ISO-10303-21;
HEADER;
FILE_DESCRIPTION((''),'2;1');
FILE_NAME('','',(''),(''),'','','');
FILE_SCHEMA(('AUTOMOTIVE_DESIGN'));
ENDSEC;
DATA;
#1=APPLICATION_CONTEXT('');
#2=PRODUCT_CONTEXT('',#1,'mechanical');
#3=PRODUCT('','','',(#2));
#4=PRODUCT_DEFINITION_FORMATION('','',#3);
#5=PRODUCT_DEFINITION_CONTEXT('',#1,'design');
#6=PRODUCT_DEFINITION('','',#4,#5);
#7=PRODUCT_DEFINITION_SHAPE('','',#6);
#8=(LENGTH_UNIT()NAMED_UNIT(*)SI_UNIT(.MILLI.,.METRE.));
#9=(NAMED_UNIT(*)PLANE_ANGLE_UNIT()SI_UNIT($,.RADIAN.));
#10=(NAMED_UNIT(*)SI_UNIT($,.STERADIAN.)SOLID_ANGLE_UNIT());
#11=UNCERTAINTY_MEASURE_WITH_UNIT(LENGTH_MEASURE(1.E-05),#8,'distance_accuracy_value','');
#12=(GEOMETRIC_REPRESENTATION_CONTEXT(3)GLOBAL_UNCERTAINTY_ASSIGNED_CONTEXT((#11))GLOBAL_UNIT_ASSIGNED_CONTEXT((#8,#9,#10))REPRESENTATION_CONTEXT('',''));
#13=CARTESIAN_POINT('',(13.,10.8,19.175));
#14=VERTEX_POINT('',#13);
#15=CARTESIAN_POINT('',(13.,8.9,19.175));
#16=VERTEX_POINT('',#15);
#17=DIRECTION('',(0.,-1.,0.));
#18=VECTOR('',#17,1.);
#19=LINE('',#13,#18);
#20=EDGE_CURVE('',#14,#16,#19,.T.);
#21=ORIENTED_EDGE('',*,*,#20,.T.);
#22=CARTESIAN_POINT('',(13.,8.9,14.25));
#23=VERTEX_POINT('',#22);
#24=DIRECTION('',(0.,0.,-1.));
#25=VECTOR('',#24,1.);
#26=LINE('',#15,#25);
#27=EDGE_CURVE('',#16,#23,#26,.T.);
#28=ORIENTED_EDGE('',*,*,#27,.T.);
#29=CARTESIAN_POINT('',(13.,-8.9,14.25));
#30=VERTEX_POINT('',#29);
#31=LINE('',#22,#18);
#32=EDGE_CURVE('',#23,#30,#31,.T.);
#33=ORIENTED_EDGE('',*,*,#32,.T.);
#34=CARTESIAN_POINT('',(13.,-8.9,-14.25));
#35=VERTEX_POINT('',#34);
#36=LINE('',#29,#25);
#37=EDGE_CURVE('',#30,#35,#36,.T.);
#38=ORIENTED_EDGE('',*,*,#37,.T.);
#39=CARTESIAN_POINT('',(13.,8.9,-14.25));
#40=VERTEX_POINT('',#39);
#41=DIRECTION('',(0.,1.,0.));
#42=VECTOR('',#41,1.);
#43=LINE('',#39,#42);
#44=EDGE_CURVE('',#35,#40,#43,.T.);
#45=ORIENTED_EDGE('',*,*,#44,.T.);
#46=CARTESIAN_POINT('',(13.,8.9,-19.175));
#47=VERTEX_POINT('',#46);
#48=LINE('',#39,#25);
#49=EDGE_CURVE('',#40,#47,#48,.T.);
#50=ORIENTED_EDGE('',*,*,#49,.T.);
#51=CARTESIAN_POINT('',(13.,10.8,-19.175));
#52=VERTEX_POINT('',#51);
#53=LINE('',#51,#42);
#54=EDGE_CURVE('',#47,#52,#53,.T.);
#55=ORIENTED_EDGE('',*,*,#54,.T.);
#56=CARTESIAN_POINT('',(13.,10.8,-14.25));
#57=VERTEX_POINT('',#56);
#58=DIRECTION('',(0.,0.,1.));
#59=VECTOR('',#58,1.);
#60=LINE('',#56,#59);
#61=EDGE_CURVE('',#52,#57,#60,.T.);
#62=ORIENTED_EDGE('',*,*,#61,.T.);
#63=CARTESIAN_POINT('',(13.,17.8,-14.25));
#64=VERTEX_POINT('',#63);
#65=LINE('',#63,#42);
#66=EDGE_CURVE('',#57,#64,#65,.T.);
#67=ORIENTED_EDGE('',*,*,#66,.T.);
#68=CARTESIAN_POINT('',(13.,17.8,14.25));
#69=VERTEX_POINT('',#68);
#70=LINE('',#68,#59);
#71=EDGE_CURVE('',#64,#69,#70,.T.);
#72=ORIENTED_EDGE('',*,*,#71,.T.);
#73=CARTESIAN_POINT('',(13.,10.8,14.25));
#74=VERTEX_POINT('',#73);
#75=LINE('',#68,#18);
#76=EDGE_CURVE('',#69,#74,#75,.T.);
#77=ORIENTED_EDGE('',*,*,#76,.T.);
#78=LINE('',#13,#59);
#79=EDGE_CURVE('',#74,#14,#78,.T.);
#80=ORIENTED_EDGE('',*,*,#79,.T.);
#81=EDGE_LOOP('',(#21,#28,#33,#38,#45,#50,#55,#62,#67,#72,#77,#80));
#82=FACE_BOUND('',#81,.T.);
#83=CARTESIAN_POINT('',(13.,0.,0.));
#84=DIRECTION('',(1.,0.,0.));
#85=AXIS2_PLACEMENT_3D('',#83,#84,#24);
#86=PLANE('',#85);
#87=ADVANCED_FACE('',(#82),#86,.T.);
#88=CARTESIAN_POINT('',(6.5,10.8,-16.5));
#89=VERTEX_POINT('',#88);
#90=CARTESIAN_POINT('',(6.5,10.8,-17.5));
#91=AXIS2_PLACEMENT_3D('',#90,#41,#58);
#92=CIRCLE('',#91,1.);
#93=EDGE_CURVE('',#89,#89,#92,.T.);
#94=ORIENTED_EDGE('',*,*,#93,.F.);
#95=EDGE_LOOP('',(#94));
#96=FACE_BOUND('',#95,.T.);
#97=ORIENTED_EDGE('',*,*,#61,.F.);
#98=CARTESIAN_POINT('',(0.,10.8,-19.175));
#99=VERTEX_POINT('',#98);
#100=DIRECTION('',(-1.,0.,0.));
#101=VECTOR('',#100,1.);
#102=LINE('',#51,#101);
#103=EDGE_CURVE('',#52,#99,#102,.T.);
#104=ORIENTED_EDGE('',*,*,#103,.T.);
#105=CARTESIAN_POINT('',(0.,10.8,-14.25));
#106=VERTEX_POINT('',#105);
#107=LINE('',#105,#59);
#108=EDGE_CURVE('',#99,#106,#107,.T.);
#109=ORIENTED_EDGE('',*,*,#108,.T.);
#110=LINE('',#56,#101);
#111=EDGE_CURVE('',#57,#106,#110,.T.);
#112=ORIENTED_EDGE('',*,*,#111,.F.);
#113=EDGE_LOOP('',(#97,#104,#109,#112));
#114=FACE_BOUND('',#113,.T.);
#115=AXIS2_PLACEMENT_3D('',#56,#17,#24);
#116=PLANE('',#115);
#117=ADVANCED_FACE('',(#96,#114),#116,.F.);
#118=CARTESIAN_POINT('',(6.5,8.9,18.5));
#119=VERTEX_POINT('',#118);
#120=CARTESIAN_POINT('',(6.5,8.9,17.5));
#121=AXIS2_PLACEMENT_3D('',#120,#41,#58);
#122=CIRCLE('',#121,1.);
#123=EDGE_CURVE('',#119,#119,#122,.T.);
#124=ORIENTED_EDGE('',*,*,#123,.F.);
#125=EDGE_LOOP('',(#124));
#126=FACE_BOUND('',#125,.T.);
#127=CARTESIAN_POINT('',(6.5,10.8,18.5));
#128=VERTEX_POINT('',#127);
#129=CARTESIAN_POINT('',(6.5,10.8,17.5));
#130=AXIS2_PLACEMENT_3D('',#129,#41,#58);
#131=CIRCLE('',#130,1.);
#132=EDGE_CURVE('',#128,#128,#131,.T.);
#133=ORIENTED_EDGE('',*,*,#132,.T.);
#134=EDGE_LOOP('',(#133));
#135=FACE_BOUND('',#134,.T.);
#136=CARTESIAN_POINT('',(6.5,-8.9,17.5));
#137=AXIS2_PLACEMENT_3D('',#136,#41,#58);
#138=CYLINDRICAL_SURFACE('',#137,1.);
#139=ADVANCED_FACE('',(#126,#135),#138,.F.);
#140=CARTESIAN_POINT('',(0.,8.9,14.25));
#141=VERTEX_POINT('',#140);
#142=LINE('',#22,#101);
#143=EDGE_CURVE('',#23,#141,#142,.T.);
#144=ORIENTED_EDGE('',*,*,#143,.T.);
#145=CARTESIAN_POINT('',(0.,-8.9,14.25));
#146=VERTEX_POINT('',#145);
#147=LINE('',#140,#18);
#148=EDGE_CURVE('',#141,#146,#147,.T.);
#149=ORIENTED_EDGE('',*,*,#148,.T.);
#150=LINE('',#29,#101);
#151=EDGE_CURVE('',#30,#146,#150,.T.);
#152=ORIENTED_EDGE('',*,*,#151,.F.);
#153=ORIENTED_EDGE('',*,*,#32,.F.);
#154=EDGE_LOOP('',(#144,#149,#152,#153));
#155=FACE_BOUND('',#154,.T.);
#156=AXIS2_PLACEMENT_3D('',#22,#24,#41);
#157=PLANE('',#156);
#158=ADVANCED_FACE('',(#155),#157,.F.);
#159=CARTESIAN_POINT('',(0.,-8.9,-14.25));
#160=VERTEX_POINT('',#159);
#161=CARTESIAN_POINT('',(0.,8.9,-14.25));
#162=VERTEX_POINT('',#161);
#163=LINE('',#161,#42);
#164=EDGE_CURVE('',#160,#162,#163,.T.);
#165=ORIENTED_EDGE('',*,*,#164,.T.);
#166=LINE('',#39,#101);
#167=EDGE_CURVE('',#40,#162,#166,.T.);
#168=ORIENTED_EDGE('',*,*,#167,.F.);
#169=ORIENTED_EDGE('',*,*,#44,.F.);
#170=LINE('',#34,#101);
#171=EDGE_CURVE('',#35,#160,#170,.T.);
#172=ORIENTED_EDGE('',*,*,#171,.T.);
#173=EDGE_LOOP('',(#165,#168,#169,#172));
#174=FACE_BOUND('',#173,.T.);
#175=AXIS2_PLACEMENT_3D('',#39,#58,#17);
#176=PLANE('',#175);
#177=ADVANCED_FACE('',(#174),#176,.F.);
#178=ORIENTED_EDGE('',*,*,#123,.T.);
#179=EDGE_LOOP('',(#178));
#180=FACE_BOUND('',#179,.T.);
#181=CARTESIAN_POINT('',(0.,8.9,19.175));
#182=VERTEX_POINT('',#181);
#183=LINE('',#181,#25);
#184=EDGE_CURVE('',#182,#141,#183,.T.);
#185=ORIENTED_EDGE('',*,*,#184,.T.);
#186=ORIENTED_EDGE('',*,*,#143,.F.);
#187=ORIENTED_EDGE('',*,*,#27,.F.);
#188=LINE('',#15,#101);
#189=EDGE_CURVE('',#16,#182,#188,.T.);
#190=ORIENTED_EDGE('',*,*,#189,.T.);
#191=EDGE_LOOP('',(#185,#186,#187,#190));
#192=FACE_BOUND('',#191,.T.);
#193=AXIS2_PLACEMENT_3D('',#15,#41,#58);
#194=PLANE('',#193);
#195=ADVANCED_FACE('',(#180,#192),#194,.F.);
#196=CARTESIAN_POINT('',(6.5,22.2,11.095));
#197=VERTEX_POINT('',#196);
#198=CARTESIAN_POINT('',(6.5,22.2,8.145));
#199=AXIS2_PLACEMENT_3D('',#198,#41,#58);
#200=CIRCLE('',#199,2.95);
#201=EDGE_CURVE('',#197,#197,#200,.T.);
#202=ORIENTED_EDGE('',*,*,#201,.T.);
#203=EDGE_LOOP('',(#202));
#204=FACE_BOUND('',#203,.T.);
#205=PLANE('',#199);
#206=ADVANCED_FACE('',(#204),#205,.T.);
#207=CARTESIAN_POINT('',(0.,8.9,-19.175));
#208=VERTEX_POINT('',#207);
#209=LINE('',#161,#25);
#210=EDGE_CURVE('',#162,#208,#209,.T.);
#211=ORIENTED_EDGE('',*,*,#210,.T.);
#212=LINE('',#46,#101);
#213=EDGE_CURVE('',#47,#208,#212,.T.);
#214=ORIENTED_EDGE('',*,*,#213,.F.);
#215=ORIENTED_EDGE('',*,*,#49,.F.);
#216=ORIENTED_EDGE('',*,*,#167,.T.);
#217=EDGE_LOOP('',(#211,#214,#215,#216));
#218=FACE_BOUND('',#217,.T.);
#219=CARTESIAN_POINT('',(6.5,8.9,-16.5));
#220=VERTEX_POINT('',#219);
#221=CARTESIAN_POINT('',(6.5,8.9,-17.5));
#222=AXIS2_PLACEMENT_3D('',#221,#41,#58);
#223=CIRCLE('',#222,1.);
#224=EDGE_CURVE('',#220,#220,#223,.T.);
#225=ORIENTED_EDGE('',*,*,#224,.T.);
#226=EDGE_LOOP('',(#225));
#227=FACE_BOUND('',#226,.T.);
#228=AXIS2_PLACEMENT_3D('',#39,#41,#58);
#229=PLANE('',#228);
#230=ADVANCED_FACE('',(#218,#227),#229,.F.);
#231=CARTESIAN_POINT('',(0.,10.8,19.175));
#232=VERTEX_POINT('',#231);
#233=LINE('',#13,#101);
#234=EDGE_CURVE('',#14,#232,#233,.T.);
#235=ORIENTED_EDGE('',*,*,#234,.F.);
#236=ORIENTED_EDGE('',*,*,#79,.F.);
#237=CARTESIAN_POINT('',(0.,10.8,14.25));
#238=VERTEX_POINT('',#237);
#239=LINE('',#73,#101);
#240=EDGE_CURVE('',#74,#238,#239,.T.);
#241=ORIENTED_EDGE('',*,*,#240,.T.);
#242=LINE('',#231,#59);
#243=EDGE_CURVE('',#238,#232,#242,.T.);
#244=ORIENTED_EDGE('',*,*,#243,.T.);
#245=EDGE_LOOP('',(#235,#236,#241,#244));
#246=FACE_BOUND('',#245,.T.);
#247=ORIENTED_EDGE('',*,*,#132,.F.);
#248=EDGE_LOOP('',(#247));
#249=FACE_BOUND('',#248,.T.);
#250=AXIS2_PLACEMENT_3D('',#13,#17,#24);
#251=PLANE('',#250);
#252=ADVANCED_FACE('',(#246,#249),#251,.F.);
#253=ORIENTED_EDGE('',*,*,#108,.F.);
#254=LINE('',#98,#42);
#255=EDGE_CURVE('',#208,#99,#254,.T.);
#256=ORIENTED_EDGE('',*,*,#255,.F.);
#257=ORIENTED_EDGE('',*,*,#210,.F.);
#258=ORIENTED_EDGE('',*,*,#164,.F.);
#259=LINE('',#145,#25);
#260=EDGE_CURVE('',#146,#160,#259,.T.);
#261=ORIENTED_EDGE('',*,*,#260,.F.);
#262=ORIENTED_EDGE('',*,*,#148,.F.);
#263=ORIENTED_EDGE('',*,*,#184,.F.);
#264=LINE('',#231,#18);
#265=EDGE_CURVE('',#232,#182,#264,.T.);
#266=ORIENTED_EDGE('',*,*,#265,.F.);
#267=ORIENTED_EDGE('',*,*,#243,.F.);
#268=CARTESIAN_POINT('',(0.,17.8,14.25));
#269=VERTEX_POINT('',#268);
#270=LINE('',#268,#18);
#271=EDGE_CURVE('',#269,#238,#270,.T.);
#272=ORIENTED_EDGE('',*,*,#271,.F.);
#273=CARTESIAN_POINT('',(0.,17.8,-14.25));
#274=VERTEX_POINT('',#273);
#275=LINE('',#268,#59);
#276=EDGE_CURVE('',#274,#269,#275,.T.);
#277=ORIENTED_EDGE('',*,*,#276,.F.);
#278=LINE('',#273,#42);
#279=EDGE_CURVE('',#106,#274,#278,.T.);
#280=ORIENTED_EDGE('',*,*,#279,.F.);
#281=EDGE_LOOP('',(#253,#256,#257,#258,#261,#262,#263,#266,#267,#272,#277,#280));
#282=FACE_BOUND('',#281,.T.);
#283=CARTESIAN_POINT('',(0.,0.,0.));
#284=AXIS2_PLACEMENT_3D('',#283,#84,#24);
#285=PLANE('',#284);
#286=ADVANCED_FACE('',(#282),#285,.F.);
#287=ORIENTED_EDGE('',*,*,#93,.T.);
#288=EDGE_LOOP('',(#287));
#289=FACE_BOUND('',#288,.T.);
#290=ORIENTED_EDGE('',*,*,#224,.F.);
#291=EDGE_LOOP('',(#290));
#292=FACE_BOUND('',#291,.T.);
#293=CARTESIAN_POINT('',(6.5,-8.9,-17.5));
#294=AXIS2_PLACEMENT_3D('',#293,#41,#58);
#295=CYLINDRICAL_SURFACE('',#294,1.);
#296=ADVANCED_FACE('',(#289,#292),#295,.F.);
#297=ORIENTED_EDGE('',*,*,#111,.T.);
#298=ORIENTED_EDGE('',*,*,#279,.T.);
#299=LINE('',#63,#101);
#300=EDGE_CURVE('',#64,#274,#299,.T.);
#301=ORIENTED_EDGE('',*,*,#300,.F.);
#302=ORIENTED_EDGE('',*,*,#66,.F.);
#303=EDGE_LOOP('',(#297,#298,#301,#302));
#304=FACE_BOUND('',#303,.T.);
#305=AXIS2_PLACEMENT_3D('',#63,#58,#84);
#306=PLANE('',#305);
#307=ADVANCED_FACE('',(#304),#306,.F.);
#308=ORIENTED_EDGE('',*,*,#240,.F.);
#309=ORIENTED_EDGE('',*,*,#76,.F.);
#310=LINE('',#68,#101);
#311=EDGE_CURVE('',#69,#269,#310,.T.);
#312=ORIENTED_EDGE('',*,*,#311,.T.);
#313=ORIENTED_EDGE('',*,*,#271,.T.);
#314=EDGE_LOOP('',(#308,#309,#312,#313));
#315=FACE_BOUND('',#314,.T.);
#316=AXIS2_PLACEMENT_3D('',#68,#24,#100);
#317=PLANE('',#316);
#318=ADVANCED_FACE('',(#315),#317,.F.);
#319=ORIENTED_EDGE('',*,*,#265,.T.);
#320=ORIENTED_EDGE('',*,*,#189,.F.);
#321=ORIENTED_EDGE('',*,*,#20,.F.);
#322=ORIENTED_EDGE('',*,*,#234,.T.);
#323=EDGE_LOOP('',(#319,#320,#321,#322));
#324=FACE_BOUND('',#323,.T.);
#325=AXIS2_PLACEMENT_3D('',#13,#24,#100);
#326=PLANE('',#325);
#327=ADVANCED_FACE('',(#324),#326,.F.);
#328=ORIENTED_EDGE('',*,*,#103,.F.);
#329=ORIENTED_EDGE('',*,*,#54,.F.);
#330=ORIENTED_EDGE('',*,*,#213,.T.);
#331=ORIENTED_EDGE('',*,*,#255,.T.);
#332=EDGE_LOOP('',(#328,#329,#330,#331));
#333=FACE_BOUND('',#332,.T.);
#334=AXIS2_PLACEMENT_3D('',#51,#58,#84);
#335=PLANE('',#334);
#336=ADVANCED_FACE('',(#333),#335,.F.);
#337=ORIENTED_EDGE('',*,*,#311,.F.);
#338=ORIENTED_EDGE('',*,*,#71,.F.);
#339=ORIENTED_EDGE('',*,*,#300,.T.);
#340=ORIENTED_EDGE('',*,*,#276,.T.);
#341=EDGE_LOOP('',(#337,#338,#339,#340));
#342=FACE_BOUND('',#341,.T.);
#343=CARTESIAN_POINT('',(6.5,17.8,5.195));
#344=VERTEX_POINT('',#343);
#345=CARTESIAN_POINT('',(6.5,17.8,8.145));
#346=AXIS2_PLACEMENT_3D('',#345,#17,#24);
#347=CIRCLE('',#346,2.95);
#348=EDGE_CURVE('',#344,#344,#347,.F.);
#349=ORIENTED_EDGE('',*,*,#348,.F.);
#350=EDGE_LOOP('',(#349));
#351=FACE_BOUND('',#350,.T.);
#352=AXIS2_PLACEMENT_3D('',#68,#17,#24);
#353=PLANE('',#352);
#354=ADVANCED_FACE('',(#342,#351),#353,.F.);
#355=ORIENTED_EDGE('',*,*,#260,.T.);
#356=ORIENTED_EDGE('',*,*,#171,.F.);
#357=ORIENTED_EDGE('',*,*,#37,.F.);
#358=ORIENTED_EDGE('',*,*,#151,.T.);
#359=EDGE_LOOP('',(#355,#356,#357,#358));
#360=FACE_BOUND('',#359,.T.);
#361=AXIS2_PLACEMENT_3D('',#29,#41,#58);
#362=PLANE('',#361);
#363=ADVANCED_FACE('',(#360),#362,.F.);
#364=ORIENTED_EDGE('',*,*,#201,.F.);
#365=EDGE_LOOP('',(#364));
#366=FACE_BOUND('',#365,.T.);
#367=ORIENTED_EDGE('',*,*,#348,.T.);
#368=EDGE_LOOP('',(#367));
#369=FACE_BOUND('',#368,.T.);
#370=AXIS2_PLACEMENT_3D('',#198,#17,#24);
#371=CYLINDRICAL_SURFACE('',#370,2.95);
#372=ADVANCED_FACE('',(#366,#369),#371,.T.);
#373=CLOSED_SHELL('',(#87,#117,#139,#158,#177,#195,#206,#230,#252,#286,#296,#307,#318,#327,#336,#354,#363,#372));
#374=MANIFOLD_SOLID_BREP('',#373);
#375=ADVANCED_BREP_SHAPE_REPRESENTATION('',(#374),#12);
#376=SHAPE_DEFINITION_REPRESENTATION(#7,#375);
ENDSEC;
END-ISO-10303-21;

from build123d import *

# Parameters (mm, degrees)
EXTRUDE_1_DEPTH     = 13
SKETCH_4_R          = 1
CUT_EXTRUDE_1_DEPTH = 31.410041516
SKETCH_6_R          = 2.95
EXTRUDE_2_DEPTH     = 4.4


with BuildPart() as part:
    # 草圖1 → 填料-伸長1 (new body)
    with BuildSketch(Plane(origin=(0, 0, 0), x_dir=(0, 0, -1), z_dir=(1, 0, 0))):
        Polygon((14.25, 10.8), (19.175, 10.8), (19.175, 8.9), (14.25, 8.9), (14.25, -8.9), (-14.25, -8.9), (-14.25, 8.9), (-19.175, 8.9), (-19.175, 10.8), (-14.25, 10.8), (-14.25, 17.8), (14.25, 17.8), align=None)
    extrude(amount=EXTRUDE_1_DEPTH)

    # 草圖4 → 除料-伸長1 (cut, through all)
    with BuildSketch(Plane(origin=(0, 10.8, 0), x_dir=(1, 0, 0), z_dir=(0, 1, 0))):
        with Locations(Location((6.5, 17.5, 0), (0, 0, 270))):
            Circle(SKETCH_4_R)
        with Locations(Location((6.5, -17.5, 0), (0, 0, 270))):
            Circle(SKETCH_4_R)
    extrude(amount=-CUT_EXTRUDE_1_DEPTH, mode=Mode.SUBTRACT)

    # 草圖6 → 填料-伸長2 (add)
    with BuildSketch(Plane(origin=(0, 17.8, 0), x_dir=(1, 0, 0), z_dir=(0, 1, 0))):
        with Locations(Location((6.5, -8.145, 0), (0, 0, 90))):
            Circle(SKETCH_6_R)
    extrude(amount=EXTRUDE_2_DEPTH)


solid = part.part
